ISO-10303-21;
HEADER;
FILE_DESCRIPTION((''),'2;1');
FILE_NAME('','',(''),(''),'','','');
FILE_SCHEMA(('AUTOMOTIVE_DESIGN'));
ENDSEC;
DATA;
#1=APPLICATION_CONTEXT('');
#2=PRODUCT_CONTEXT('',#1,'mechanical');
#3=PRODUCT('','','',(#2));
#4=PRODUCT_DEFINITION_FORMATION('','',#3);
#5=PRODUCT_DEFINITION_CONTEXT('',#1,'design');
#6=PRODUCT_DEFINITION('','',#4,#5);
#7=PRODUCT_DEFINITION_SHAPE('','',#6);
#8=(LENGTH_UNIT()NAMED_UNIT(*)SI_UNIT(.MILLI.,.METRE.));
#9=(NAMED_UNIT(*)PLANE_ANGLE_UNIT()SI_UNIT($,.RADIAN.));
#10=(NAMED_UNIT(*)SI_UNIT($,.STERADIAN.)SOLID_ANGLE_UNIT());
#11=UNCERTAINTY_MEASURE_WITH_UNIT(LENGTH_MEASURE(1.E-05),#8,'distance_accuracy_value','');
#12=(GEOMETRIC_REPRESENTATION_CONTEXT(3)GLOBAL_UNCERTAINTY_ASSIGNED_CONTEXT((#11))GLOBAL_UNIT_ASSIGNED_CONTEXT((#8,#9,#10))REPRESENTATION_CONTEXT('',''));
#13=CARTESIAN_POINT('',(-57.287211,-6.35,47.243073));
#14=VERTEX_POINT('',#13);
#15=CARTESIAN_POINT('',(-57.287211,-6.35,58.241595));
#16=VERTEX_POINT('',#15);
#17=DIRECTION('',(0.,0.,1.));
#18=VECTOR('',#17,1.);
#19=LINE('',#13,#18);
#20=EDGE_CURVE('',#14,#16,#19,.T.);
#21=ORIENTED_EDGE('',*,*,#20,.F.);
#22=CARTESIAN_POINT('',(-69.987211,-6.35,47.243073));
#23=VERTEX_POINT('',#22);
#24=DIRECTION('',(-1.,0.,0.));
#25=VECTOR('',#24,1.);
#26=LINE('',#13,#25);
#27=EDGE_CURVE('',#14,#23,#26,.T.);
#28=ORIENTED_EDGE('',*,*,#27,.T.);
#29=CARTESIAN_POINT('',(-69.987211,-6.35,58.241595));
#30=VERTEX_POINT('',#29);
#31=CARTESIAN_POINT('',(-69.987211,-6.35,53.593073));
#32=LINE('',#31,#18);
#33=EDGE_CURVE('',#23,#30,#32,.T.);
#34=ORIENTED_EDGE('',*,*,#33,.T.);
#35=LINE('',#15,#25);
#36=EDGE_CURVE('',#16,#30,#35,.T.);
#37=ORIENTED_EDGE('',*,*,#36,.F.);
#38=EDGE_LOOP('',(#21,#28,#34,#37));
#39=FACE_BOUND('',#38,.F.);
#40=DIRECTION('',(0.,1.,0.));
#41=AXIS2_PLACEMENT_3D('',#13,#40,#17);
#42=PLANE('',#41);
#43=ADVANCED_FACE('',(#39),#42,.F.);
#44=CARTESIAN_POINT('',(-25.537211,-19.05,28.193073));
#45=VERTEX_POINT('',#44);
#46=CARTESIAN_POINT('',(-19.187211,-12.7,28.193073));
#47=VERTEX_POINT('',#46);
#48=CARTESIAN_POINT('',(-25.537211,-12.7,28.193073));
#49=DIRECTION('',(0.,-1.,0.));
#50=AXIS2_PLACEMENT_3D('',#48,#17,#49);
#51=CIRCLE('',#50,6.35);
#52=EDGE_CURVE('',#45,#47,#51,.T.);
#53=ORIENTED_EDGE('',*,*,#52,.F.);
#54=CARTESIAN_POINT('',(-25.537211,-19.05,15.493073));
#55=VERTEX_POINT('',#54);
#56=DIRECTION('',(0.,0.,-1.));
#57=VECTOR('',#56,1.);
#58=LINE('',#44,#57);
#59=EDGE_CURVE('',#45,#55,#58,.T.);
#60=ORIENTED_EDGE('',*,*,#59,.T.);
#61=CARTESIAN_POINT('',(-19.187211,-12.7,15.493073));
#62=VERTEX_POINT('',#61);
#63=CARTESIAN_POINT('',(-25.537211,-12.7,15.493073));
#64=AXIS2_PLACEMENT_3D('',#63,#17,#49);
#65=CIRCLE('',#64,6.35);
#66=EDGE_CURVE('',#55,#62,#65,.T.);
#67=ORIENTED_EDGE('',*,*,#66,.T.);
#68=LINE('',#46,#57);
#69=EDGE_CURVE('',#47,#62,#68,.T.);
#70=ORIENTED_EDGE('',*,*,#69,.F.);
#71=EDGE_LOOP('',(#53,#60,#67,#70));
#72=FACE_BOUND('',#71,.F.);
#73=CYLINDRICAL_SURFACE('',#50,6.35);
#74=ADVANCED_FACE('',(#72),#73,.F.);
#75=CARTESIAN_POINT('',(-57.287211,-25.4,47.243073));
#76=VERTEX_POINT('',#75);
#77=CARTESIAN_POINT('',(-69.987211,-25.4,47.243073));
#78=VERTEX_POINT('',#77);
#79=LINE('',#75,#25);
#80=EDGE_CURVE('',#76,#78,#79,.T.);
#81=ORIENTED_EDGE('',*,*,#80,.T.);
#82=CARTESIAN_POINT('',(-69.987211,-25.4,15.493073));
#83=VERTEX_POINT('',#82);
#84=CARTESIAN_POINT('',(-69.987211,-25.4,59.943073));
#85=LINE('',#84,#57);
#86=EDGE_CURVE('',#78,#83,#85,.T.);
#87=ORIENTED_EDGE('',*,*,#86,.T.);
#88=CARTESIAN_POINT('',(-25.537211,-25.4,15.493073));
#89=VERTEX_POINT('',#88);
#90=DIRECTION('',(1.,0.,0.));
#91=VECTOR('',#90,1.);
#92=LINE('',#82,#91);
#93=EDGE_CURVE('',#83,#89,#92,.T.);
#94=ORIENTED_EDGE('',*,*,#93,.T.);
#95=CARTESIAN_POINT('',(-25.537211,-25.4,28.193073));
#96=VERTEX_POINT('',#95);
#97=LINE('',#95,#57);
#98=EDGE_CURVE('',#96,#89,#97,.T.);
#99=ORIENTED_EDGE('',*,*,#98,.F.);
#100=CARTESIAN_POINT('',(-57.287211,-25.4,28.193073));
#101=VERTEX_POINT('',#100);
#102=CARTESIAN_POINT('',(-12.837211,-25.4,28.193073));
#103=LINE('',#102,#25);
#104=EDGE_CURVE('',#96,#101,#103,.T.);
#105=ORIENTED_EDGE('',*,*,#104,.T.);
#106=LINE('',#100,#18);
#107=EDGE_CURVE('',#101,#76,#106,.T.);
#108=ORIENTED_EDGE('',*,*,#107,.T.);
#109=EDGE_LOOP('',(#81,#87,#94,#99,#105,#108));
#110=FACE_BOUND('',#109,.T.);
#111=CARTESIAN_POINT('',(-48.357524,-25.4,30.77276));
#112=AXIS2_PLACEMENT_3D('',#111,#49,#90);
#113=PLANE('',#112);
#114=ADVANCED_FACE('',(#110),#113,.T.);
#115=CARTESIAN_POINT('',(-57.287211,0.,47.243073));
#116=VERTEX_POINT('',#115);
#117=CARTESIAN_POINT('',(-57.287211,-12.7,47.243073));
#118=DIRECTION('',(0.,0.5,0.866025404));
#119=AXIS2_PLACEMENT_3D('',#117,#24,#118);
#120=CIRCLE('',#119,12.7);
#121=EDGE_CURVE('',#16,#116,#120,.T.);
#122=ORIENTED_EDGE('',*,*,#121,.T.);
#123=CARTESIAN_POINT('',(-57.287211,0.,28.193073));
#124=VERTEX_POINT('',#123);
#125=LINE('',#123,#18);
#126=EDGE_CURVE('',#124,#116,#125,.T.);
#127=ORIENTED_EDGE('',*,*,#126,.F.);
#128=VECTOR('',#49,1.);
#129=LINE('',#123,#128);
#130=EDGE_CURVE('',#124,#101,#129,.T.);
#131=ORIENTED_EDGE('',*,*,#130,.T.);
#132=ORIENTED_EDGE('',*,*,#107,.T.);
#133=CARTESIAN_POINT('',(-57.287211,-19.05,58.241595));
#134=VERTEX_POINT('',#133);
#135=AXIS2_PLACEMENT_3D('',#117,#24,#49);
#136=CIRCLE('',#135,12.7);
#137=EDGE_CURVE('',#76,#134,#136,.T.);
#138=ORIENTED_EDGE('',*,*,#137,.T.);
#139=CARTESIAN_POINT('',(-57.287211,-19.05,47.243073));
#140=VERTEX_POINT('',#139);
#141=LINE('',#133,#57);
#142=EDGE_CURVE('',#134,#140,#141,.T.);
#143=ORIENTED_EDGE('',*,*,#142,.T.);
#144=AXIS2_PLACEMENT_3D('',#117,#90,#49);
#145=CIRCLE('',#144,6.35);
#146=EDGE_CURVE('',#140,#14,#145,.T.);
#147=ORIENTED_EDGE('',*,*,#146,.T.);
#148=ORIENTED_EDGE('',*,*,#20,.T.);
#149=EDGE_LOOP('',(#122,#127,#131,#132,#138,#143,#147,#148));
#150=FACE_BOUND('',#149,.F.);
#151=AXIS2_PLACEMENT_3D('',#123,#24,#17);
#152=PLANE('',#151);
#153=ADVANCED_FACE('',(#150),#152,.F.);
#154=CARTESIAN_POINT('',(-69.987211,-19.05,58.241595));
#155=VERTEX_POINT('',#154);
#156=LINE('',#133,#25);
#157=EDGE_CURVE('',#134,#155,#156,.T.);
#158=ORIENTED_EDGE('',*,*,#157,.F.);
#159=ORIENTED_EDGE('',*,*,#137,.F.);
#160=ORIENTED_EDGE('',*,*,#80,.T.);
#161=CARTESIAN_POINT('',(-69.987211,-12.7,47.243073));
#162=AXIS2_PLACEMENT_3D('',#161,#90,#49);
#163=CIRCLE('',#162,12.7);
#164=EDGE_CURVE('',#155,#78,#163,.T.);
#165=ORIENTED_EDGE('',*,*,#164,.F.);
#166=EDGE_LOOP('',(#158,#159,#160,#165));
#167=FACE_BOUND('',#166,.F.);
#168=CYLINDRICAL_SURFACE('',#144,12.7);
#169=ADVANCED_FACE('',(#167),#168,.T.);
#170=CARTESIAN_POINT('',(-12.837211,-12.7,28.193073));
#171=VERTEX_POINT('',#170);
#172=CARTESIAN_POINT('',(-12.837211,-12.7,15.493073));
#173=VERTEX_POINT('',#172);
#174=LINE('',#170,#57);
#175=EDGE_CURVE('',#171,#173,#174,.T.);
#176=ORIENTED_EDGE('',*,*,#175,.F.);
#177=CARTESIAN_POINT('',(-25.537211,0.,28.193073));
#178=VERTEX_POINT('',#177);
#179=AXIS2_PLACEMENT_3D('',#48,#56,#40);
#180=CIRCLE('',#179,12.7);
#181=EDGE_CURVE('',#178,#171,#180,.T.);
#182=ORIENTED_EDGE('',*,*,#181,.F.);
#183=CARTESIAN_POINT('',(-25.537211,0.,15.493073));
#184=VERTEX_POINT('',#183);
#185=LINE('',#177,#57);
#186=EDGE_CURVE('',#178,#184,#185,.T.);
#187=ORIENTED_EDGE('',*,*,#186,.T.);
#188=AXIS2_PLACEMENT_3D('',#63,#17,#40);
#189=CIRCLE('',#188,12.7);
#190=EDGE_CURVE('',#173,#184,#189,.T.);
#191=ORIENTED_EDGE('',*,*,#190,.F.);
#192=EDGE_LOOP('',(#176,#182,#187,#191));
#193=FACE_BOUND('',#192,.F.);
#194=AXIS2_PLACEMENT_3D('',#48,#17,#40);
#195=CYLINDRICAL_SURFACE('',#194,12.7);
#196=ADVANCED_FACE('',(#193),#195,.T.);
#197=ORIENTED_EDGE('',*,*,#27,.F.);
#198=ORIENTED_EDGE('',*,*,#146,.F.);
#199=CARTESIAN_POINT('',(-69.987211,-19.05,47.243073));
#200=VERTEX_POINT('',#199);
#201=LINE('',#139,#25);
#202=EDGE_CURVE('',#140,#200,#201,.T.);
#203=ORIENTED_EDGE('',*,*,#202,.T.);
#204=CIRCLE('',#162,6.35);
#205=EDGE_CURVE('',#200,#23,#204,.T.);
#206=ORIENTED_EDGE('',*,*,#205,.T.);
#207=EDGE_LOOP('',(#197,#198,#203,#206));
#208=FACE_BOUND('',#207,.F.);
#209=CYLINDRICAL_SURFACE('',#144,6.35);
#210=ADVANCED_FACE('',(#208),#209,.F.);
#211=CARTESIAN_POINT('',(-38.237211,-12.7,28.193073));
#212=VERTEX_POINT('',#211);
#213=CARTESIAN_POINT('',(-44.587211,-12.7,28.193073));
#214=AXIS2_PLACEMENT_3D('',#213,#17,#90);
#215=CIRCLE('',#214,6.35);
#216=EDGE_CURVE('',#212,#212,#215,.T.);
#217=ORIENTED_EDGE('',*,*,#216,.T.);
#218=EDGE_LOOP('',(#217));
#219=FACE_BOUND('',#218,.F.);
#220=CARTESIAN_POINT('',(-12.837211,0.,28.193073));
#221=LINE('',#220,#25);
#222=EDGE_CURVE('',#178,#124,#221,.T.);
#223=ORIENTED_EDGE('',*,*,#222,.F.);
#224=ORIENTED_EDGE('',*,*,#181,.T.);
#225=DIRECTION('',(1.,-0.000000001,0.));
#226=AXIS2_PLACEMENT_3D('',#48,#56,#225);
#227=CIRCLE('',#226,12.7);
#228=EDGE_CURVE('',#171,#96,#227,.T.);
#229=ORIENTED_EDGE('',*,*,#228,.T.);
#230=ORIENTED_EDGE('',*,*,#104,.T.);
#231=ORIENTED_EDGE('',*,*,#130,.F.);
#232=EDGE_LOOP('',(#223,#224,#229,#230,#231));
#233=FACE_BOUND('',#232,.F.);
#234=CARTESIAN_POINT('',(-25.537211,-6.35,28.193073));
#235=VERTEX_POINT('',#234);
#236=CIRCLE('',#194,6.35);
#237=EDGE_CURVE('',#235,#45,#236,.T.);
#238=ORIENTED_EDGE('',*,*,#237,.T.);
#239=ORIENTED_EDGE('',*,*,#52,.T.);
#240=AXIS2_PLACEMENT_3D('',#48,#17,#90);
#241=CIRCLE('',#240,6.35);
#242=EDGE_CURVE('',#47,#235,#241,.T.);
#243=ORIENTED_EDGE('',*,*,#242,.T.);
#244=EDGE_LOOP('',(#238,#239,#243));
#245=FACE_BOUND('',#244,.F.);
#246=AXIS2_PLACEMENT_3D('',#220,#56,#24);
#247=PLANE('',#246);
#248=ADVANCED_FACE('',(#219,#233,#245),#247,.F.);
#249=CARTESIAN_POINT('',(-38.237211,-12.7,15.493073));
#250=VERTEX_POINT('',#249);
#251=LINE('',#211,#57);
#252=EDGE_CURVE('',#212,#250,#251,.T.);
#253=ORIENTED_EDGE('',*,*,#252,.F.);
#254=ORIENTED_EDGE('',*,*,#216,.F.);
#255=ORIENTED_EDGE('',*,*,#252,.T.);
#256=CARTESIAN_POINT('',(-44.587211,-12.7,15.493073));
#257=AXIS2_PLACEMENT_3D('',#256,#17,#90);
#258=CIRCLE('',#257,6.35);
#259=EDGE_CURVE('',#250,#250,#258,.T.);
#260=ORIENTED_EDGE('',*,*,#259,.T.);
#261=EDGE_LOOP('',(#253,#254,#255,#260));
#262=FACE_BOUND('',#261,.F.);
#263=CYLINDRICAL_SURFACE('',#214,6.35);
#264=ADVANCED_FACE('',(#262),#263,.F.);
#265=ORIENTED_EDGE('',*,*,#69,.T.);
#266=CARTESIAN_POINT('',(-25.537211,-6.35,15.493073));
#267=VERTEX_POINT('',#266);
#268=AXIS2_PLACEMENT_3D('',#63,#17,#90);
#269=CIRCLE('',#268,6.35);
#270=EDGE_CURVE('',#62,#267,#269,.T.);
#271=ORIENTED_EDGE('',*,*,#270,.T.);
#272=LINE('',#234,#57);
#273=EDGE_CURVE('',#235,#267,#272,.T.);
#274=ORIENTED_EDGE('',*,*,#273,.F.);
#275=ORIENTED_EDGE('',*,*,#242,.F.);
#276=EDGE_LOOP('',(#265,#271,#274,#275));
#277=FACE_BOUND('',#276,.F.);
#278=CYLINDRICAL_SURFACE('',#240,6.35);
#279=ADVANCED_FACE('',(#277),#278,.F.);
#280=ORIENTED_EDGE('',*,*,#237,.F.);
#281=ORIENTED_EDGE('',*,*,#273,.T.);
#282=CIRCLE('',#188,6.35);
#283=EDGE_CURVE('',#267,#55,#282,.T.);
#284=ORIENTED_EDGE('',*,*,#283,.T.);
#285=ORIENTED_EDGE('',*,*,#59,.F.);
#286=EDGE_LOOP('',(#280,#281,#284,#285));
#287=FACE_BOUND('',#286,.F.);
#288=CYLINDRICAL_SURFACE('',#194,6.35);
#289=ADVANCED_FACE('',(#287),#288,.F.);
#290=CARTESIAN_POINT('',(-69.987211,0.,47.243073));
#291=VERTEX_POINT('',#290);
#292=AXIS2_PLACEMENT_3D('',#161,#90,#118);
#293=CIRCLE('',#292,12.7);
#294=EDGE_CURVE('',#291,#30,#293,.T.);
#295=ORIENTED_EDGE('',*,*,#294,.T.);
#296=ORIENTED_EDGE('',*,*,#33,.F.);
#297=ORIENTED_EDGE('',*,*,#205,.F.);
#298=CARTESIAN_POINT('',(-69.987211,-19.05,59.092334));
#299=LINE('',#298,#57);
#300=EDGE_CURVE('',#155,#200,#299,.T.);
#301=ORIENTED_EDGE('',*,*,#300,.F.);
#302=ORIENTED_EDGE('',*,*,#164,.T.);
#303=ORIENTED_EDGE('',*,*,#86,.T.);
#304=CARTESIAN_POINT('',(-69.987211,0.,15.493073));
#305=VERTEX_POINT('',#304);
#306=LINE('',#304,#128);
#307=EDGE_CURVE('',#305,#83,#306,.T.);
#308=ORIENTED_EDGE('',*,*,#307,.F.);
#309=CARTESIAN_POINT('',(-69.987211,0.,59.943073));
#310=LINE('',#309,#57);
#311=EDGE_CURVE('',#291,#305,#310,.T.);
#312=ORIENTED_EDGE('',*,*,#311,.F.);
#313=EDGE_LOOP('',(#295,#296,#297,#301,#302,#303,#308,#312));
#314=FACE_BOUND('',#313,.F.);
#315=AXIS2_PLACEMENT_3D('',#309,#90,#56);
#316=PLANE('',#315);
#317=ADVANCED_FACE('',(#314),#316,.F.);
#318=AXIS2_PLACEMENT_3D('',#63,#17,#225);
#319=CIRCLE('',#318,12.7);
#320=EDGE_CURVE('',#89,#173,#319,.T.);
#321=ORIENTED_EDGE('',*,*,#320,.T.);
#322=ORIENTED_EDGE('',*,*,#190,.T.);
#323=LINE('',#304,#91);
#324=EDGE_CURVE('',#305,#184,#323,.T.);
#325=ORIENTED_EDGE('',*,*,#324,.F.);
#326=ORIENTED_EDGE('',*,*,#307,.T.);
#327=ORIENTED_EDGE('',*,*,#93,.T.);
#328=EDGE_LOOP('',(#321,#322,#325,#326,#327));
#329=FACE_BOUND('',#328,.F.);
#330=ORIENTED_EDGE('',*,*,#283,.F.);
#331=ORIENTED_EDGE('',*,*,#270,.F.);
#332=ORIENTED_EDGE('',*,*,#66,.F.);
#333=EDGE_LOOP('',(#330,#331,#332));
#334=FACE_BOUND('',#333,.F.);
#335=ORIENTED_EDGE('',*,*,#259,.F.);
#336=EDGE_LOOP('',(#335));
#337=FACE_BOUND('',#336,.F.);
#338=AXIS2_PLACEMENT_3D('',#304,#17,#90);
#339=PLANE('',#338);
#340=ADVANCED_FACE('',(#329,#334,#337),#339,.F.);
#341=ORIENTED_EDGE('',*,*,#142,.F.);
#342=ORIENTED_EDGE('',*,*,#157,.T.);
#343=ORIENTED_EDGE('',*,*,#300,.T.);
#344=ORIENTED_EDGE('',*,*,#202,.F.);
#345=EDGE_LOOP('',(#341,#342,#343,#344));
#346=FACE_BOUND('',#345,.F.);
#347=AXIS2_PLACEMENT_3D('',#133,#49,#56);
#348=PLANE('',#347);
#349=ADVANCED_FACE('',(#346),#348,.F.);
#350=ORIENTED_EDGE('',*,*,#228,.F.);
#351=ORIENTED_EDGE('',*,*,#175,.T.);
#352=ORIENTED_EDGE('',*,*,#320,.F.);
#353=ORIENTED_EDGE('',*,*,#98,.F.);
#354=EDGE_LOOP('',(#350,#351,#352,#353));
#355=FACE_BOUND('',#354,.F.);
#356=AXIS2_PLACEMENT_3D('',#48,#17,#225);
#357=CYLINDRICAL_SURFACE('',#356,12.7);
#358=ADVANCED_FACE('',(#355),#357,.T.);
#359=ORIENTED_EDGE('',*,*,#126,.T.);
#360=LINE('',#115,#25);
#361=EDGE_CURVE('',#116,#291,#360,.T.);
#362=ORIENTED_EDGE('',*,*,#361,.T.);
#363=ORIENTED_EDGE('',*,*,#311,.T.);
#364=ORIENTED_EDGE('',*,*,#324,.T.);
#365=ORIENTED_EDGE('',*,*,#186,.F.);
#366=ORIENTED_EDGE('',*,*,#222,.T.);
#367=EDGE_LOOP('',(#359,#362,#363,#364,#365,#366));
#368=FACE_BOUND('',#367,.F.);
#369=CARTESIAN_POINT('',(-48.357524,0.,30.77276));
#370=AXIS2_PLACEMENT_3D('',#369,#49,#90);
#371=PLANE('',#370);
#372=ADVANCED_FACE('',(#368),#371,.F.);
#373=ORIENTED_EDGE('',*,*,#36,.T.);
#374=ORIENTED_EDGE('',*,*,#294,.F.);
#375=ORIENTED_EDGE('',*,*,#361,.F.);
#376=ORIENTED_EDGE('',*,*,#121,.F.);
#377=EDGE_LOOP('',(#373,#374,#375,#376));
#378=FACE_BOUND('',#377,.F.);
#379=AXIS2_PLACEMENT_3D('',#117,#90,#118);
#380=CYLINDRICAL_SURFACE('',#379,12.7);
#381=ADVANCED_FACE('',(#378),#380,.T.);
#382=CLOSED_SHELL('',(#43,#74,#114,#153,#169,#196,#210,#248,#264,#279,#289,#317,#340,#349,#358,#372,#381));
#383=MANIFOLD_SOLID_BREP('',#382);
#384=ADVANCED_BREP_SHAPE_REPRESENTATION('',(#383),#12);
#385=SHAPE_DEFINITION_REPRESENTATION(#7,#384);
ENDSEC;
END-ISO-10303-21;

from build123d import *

# Parameters (mm, degrees)
F1_DEPTH = 25.4
F2_R     = 6.35
F3_DEPTH = 12.701
F5_DEPTH = 12.701


with BuildPart() as f1:
    # F0 (on Front) → F1 (new body)
    with BuildSketch(Plane.XZ):
        Polygon((-57.2872110233, 59.9430727009), (-69.9872110233, 59.9430727009), (-69.9872110233, 15.4930727009), (-12.8372110233, 15.4930727009), (-12.8372110233, 28.1930727009), (-57.2872110233, 28.1930727009), align=None)
    extrude(amount=F1_DEPTH)

    # F2 (on face) → F3 (cut, through all)
    with BuildSketch(Plane.XY.offset(28.1930727009)):
        with BuildLine():
            ThreePointArc((-12.8372110233, -12.7000000115), (-16.5569549063, -21.6802561251), (-25.5372110233, -25.4))
            Line((-25.5372110233, -25.4), (-12.8372110233, -25.4))
            Line((-12.8372110233, -25.4), (-12.8372110233, -12.7000000115))
        make_face()
        with BuildLine():
            Line((-12.8372110233, 0), (-25.5372110233, 0))
            ThreePointArc((-25.5372110233, 0), (-16.5569548981, -3.719743883), (-12.8372110233, -12.7000000115))
            Line((-12.8372110233, -12.7000000115), (-12.8372110233, 0))
        make_face()
        with BuildLine():
            ThreePointArc((-25.5372110233, -19.05), (-21.0470829627, -17.1901280605), (-19.1872110233, -12.7))
            ThreePointArc((-19.1872110233, -12.7), (-21.0470829627, -8.2098719395), (-25.5372110233, -6.35))
            ThreePointArc((-25.5372110233, -6.35), (-31.8872110233, -12.7), (-25.5372110233, -19.05))
        make_face()
        with Locations((-44.5872110233, -12.7)):
            Circle(F2_R)
    extrude(amount=-F3_DEPTH, mode=Mode.SUBTRACT)

    # F4 (on face) → F5 (cut, through all)
    with BuildSketch(Plane.YZ.offset(-57.2872110233)):
        with BuildLine():
            Line((-25.4, 59.9430727009), (-25.4, 47.2430727009))
            ThreePointArc((-25.4, 47.2430727009), (-23.6985226281, 53.5930727009), (-19.05, 58.2415953289))
            Line((-19.05, 58.2415953289), (-19.05, 59.9430727009))
            Line((-19.05, 59.9430727009), (-25.4, 59.9430727009))
        make_face()
        with BuildLine():
            ThreePointArc((-6.35, 58.2415953289), (-1.7014773719, 53.5930727009), (0, 47.2430727009))
            Line((0, 47.2430727009), (0, 59.9430727009))
            Line((0, 59.9430727009), (-6.35, 59.9430727009))
            Line((-6.35, 59.9430727009), (-6.35, 58.2415953289))
        make_face()
        with BuildLine():
            ThreePointArc((-12.7, 59.9430727009), (-9.4129981272, 59.5103306947), (-6.35, 58.2415953289))
            Line((-6.35, 58.2415953289), (-6.35, 59.9430727009))
            Line((-6.35, 59.9430727009), (-12.7, 59.9430727009))
        make_face()
        with BuildLine():
            Line((-19.05, 59.9430727009), (-19.05, 58.2415953289))
            ThreePointArc((-19.05, 58.2415953289), (-15.9870018728, 59.5103306947), (-12.7, 59.9430727009))
            Line((-12.7, 59.9430727009), (-19.05, 59.9430727009))
        make_face()
        with BuildLine():
            Line((-12.7, 47.2430727009), (-6.35, 47.2430727009))
            ThreePointArc((-6.35, 47.2430727009), (-12.7, 53.5930727009), (-19.05, 47.2430727009))
            Line((-19.05, 47.2430727009), (-12.7, 47.2430727009))
        make_face()
        with BuildLine():
            ThreePointArc((-19.05, 47.2430727009), (-12.7, 40.8930727009), (-6.35, 47.2430727009))
            Line((-6.35, 47.2430727009), (-12.7, 47.2430727009))
            Line((-12.7, 47.2430727009), (-19.05, 47.2430727009))
        make_face()
        with BuildLine():
            ThreePointArc((-19.05, 47.2430727009), (-12.7, 53.5930727009), (-6.35, 47.2430727009))
            Line((-6.35, 47.2430727009), (-6.35, 58.2415953289))
            ThreePointArc((-6.35, 58.2415953289), (-9.4129981272, 59.5103306947), (-12.7, 59.9430727009))
            ThreePointArc((-12.7, 59.9430727009), (-15.9870018728, 59.5103306947), (-19.05, 58.2415953289))
            Line((-19.05, 58.2415953289), (-19.05, 47.2430727009))
        make_face()
    extrude(amount=-F5_DEPTH, mode=Mode.SUBTRACT)


solid = f1.part
